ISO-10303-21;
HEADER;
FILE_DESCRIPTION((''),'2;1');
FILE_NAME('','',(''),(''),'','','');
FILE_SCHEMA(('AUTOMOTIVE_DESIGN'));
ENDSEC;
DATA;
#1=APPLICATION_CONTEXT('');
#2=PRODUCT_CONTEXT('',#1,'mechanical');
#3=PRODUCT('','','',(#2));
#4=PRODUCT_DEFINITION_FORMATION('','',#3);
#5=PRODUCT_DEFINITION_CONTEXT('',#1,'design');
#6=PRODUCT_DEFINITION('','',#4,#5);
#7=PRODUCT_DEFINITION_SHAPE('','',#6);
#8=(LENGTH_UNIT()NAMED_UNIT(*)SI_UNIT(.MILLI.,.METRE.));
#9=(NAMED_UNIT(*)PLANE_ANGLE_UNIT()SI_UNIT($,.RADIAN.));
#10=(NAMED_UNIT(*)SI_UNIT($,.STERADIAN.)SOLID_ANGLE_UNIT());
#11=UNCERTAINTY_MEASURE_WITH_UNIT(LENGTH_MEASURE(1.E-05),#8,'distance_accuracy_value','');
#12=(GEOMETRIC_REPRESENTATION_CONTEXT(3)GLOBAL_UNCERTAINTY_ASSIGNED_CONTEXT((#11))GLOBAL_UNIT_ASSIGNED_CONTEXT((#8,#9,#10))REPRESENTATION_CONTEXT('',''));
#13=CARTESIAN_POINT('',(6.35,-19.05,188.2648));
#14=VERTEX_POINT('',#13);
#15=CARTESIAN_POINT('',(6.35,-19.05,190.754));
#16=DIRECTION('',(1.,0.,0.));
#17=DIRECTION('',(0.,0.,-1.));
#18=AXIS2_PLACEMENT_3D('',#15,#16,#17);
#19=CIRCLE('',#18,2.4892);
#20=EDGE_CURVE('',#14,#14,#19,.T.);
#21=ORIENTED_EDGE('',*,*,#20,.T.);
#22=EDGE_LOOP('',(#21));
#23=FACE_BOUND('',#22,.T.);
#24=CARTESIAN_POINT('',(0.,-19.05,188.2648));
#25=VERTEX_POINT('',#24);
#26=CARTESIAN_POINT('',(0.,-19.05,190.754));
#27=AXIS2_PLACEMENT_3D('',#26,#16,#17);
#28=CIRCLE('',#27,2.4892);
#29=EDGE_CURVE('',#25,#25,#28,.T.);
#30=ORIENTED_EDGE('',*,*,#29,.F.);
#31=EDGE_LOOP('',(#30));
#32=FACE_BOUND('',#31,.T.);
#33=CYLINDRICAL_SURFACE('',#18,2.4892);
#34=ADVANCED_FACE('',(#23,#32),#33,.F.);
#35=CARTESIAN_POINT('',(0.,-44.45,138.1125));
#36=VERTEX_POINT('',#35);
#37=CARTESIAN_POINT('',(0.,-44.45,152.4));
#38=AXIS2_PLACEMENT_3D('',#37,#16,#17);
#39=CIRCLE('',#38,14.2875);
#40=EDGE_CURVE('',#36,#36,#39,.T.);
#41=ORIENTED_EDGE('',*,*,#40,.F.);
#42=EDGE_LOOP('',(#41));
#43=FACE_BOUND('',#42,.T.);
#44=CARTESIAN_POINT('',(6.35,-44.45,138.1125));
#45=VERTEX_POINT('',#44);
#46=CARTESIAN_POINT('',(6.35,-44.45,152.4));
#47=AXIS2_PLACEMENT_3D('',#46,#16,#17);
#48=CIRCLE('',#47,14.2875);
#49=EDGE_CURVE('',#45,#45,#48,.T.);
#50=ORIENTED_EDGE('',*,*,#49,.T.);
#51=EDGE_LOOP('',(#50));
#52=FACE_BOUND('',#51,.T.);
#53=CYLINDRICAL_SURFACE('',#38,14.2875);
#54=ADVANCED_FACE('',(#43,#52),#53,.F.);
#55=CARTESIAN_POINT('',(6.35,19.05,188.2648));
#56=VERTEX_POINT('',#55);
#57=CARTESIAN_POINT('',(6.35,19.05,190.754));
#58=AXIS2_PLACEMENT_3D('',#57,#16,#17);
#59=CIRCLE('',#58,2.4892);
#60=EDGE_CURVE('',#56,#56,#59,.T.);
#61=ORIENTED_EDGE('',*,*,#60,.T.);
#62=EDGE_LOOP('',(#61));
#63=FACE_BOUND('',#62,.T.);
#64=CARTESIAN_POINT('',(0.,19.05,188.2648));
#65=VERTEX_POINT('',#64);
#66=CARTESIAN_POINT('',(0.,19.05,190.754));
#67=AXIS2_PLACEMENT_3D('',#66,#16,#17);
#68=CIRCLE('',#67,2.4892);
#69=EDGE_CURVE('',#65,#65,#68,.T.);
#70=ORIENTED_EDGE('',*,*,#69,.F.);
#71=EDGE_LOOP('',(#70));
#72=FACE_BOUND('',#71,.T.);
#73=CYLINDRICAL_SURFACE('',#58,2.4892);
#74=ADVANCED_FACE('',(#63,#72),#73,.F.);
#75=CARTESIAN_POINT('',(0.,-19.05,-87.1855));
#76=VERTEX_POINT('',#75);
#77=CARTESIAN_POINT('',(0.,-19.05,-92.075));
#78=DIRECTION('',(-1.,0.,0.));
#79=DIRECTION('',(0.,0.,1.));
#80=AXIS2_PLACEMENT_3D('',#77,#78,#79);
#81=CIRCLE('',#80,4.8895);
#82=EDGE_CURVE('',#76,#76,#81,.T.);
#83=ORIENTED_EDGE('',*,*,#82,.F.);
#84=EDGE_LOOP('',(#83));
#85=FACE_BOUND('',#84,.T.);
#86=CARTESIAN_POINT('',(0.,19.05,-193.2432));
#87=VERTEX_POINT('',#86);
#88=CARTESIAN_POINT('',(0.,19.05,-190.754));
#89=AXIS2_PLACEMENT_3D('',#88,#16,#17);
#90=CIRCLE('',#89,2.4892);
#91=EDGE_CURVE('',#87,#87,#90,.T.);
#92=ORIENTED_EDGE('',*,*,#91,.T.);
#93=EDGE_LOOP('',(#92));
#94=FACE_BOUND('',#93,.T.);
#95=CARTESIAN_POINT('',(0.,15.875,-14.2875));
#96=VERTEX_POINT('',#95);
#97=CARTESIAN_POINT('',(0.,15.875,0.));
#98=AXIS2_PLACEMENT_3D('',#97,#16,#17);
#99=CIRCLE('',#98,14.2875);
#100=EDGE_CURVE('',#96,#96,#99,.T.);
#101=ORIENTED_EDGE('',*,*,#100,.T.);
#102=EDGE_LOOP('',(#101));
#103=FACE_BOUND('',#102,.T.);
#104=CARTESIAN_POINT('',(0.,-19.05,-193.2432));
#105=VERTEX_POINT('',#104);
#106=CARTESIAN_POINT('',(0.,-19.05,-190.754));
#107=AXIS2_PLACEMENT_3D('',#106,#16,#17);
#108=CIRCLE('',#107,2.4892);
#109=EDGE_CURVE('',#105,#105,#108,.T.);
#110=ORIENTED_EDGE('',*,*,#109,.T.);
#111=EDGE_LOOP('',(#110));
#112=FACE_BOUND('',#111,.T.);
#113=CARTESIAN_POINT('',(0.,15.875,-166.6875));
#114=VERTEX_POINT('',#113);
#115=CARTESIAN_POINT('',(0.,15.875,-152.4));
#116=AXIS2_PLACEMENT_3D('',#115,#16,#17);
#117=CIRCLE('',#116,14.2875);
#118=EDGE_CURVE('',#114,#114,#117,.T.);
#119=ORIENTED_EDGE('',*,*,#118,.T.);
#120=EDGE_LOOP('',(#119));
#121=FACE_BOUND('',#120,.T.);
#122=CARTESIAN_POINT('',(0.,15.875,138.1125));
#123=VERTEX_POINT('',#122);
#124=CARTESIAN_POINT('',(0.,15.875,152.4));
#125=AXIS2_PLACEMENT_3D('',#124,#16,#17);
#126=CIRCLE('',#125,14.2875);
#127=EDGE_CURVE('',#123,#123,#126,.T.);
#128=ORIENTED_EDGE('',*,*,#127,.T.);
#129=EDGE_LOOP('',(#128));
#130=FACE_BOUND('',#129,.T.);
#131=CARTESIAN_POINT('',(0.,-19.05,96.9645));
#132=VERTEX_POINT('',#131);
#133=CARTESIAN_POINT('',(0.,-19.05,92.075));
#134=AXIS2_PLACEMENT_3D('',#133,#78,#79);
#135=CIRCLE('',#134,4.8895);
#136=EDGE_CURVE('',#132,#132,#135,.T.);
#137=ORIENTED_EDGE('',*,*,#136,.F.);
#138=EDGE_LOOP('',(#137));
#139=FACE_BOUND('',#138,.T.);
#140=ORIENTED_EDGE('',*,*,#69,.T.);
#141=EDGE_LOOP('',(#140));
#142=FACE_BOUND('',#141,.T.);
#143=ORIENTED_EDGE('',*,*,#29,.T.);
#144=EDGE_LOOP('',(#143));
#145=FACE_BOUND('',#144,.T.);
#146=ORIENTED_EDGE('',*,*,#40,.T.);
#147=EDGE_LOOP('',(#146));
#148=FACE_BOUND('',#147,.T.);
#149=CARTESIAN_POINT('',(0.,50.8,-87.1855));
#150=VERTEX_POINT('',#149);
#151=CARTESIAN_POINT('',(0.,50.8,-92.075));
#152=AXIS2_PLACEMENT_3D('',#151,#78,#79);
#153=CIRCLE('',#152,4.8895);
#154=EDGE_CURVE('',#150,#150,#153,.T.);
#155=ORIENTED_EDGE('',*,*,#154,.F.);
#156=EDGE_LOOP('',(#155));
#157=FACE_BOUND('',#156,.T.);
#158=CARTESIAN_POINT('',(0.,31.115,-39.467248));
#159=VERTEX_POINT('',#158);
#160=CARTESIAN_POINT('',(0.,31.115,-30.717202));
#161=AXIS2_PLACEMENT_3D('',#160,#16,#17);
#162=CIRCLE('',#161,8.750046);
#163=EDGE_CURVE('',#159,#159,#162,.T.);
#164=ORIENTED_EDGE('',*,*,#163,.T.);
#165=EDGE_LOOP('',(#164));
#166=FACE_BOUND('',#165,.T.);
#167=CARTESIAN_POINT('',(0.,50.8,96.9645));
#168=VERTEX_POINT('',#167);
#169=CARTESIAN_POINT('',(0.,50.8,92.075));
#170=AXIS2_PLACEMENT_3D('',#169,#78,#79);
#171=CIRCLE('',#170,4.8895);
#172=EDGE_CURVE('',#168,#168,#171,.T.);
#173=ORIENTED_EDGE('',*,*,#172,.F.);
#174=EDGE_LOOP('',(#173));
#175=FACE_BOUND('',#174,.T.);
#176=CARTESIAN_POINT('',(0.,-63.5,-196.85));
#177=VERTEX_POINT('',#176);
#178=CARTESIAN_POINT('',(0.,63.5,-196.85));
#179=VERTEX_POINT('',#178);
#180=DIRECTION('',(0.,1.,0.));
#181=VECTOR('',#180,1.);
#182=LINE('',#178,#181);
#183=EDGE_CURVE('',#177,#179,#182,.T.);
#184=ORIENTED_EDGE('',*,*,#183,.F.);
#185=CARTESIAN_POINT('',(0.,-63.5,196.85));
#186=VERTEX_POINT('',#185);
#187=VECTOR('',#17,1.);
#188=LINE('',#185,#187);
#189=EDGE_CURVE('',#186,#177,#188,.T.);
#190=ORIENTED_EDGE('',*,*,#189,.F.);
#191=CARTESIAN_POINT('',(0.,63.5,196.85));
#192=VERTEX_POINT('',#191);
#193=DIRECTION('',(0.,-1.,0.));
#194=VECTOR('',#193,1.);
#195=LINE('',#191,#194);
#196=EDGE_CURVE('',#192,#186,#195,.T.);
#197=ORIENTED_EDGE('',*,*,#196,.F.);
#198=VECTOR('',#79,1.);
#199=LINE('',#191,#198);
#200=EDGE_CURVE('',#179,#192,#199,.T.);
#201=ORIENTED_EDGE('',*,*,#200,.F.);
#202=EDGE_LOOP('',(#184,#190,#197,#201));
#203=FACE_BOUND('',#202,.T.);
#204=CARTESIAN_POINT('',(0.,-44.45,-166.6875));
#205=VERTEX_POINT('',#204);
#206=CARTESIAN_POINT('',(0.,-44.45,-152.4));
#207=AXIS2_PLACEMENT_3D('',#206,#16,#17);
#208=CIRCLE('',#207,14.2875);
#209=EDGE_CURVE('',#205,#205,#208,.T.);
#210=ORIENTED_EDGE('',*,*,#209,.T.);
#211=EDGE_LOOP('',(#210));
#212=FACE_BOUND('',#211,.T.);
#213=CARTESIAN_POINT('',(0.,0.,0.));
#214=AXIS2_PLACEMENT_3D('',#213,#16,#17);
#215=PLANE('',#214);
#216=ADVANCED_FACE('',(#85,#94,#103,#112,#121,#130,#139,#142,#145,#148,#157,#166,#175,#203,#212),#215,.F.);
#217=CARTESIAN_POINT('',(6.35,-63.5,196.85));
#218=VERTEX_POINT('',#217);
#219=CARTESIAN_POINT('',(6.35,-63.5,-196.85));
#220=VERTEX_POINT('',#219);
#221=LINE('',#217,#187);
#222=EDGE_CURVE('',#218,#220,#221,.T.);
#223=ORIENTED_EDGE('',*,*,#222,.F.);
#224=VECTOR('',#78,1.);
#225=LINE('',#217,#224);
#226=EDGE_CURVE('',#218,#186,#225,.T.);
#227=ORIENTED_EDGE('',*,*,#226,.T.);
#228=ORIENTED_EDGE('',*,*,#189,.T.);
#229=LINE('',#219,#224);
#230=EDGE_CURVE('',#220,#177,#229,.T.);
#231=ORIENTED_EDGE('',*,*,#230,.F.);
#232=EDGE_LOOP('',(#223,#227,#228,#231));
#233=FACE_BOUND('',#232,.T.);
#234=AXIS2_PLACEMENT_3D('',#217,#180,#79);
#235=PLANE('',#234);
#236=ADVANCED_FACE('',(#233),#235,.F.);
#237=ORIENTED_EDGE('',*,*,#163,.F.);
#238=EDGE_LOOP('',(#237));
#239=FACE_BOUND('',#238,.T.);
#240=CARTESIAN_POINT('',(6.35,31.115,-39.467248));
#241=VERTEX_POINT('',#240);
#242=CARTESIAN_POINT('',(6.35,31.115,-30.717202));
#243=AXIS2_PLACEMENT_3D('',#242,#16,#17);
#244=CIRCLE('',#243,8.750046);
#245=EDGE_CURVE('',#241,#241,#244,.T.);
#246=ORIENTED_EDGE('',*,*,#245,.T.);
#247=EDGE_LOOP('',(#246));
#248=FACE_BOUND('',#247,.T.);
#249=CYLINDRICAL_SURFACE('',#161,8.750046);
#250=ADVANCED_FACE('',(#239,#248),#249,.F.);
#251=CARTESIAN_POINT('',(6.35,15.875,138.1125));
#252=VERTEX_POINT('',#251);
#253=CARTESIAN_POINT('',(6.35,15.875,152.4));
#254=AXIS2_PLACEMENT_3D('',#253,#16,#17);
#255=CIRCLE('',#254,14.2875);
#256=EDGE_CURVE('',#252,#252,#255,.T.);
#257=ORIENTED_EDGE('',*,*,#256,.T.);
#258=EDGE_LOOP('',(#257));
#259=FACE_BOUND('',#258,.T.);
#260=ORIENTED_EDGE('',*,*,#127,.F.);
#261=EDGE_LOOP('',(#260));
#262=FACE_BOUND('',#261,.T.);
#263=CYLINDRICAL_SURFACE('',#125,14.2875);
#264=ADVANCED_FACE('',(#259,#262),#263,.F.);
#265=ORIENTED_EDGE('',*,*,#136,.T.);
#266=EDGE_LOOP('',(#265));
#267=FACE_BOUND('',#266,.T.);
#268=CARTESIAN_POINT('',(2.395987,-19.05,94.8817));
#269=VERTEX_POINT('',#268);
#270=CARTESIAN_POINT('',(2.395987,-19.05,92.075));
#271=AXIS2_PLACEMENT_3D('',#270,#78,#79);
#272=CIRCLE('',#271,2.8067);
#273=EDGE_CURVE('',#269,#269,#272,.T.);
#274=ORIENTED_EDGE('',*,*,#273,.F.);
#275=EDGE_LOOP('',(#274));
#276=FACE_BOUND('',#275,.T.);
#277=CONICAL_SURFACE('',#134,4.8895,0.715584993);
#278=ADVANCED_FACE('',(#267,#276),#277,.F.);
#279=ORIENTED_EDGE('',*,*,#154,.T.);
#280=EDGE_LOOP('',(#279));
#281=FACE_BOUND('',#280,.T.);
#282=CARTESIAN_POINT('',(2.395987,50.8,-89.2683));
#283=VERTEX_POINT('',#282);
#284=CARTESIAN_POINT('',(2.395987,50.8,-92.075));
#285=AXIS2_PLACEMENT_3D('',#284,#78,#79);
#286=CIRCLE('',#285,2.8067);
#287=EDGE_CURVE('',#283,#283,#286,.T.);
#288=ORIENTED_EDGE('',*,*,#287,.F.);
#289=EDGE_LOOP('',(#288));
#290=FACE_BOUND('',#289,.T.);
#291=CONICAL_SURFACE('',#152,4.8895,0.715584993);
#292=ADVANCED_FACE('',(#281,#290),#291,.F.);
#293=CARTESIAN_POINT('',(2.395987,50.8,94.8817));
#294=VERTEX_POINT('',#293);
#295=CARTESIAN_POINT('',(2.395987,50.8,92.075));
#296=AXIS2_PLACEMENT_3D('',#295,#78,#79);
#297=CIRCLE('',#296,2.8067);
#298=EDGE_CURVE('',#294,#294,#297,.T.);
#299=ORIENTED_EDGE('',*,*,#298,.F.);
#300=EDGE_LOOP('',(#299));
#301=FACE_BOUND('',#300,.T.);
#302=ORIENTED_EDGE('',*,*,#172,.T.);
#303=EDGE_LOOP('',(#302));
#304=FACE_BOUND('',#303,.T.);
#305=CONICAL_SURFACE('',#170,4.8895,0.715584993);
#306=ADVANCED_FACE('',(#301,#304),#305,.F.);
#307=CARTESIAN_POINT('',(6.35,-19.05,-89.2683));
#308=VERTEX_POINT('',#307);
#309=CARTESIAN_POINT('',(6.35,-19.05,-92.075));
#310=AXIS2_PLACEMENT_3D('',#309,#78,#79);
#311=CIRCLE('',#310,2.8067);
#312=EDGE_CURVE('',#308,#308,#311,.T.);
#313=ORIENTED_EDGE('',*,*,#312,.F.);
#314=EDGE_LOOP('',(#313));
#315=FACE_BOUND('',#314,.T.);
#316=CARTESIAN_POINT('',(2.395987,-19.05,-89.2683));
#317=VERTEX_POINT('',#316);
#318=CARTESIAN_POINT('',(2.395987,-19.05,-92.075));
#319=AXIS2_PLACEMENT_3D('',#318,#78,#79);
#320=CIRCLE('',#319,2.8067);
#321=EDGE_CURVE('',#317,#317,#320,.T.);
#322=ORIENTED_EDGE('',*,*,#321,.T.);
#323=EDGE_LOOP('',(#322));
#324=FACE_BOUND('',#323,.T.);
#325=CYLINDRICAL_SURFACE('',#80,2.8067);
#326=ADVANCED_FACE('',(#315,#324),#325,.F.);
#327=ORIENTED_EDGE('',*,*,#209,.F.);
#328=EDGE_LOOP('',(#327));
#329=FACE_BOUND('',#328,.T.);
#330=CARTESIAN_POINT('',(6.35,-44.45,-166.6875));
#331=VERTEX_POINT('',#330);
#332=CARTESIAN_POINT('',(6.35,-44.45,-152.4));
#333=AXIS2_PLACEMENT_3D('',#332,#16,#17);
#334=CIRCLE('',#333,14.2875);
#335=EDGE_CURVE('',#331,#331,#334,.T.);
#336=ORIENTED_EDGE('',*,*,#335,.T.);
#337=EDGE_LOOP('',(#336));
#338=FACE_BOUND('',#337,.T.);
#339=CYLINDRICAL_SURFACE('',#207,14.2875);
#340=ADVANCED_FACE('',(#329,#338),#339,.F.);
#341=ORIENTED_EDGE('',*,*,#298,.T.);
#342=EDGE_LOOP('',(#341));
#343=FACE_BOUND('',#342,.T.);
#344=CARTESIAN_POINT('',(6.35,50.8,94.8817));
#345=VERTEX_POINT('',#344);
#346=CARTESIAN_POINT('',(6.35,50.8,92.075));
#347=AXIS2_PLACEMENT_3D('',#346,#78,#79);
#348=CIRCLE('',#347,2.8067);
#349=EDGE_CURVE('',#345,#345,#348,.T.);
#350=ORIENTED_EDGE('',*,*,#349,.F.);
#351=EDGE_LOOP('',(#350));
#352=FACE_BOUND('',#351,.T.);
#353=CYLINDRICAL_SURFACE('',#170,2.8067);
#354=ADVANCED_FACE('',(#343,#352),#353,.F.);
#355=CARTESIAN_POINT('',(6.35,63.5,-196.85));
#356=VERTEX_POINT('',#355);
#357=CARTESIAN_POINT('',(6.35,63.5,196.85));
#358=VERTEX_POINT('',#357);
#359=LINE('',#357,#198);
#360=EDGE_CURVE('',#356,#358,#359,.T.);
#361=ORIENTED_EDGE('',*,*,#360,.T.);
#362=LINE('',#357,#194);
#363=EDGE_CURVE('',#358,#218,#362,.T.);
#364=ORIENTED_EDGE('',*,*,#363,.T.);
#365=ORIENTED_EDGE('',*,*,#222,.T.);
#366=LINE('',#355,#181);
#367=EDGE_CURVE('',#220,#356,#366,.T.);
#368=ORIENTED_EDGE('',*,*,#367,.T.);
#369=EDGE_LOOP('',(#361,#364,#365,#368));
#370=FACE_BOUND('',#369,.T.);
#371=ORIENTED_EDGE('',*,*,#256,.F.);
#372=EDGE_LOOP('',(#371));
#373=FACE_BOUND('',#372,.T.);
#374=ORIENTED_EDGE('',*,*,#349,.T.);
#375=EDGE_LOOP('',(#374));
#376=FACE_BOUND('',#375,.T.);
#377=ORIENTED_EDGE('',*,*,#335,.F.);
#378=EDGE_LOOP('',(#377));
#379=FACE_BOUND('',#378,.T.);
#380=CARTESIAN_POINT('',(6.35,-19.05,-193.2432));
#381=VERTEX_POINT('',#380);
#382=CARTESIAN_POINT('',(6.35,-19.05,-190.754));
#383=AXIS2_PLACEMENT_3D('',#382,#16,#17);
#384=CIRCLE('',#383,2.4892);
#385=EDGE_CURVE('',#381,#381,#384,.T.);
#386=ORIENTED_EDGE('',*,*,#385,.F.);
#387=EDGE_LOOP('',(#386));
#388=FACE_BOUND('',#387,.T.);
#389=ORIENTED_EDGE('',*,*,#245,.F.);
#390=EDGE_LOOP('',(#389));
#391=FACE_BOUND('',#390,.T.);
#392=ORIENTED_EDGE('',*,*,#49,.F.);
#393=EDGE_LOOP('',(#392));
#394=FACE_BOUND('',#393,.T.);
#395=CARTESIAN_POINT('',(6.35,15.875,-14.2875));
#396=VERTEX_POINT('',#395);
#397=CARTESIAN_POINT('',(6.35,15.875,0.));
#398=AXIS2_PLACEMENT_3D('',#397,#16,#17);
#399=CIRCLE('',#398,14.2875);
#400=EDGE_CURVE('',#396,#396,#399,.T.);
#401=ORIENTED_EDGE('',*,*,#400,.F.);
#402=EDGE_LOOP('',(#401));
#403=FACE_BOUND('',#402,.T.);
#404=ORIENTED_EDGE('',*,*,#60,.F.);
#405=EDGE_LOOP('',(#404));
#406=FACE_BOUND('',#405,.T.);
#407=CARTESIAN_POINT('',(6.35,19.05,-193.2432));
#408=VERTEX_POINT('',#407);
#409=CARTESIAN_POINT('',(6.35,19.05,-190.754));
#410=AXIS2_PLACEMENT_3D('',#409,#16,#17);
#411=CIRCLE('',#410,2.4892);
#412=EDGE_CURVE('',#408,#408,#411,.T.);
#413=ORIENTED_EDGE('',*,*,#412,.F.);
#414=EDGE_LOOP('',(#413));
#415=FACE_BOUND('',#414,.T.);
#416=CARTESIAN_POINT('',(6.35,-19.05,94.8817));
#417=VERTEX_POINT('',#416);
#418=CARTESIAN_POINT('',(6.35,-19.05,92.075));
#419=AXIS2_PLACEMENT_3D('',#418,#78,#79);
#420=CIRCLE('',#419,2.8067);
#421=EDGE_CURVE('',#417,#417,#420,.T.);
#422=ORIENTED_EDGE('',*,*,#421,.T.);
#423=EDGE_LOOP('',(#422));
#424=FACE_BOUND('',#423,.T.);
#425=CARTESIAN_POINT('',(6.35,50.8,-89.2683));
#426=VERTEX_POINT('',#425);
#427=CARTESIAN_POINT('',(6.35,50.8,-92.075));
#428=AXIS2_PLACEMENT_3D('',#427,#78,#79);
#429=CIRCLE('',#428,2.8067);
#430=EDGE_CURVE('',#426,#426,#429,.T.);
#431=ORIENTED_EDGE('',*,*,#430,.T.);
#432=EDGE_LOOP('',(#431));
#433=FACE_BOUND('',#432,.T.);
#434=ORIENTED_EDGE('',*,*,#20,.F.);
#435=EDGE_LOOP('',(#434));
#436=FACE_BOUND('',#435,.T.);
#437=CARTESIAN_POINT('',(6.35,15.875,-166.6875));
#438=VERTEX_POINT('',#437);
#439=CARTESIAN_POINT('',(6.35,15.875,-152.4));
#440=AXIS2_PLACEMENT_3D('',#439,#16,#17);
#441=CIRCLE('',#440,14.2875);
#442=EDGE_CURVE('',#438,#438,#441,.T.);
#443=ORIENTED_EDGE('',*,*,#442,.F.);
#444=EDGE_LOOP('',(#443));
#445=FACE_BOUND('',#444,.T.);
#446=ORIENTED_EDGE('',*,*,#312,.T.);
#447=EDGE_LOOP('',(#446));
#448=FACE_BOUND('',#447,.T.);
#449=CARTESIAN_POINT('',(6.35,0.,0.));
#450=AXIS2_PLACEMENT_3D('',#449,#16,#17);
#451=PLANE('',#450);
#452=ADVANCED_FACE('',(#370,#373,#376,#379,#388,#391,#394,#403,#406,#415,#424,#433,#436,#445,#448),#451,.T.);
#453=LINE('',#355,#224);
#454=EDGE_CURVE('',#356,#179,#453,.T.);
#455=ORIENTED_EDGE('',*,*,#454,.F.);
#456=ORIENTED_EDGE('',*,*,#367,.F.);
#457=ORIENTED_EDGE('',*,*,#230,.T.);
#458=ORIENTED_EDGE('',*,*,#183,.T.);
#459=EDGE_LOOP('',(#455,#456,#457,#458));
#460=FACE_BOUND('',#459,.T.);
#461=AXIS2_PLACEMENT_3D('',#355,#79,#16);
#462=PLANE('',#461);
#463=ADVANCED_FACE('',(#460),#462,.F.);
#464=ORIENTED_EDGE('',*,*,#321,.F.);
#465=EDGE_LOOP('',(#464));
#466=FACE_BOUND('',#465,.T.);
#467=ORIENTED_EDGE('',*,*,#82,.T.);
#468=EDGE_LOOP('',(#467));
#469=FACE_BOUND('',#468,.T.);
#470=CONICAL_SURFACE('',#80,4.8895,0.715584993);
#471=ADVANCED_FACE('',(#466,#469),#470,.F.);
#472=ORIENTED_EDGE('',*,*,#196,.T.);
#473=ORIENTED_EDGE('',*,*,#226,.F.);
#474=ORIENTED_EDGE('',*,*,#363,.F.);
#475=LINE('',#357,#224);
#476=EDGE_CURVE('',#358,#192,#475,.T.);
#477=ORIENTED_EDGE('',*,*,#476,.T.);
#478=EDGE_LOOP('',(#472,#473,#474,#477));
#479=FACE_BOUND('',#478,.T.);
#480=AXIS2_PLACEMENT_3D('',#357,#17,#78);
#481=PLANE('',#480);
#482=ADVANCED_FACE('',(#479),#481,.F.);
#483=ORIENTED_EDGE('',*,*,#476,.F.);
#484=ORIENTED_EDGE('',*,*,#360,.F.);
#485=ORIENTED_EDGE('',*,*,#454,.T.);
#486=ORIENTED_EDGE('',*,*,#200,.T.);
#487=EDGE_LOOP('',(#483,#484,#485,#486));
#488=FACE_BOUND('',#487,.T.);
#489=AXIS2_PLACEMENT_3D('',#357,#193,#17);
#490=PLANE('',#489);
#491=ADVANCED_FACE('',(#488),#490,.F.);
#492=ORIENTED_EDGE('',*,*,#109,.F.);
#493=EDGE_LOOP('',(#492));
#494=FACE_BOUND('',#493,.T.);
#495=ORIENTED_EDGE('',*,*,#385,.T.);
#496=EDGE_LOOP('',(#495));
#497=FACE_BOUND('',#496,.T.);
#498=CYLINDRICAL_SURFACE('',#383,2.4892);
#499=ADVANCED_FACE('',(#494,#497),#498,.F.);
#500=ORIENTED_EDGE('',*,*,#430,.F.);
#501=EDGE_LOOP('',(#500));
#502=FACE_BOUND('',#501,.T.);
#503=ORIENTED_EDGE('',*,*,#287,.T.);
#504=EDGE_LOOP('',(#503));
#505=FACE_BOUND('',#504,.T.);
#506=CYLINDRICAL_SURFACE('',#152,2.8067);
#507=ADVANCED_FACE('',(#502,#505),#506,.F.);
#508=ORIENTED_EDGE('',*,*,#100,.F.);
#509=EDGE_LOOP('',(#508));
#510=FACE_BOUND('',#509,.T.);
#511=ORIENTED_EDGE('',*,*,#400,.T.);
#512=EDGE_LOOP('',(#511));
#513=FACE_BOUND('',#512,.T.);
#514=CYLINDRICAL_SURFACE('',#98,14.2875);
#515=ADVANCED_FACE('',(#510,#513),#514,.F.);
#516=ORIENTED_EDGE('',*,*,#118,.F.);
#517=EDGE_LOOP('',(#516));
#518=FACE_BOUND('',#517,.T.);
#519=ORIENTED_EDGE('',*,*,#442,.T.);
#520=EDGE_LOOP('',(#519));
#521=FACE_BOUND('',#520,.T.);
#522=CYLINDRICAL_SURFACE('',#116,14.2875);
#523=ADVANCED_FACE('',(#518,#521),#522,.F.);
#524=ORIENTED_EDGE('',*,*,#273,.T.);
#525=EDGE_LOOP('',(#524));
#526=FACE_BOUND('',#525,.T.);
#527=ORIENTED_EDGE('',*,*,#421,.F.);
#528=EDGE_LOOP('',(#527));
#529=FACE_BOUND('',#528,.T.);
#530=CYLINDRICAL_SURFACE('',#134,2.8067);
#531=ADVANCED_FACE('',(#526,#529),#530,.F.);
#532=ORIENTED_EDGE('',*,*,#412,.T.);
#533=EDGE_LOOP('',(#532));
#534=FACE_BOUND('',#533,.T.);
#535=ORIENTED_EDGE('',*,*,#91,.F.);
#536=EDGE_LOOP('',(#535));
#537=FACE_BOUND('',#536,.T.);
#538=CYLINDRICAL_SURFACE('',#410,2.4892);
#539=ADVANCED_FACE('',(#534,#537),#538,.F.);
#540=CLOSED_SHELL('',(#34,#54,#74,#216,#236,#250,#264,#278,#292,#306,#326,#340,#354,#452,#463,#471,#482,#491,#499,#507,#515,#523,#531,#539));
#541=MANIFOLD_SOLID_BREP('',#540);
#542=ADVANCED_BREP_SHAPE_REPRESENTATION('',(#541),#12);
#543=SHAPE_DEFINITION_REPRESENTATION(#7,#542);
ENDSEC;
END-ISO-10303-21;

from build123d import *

# Parameters (mm, degrees)
SKETCH1_W                                       = 393.7
SKETCH1_H                                       = 127
BOSS_EXTRUDE1_DEPTH                             = 6.35
SKETCH2_R                                       = 14.2875
SKETCH2_R_2                                     = 8.750046
CUT_EXTRUDE1_DEPTH                              = 207.935968357
F_10_CLEARANCE_HOLE1_D                          = 4.9784
CSK_FOR_10_FLAT_HEAD_MACHINE_SCREW2_D           = 5.6134
CSK_FOR_10_FLAT_HEAD_MACHINE_SCREW2_CSINK_D     = 9.779
CSK_FOR_10_FLAT_HEAD_MACHINE_SCREW2_CSINK_ANGLE = 82


with BuildPart() as part:
    # Sketch1 → Boss-Extrude1 (new body)
    with BuildSketch(Plane(origin=(0, 0, 0), x_dir=(0, 0, -1), z_dir=(1, 0, 0))):
        Rectangle(SKETCH1_W, SKETCH1_H)
    extrude(amount=BOSS_EXTRUDE1_DEPTH)

    # Sketch2 → Cut-Extrude1 (cut, through all)
    with BuildSketch(Plane(origin=(6.35, 0, 0), x_dir=(0, 0, -1), z_dir=(1, 0, 0))):
        with Locations((0, 15.875)):
            Circle(SKETCH2_R)
        with Locations((-152.4, 15.875)):
            Circle(SKETCH2_R)
        with Locations((152.4, 15.875)):
            Circle(SKETCH2_R)
        with Locations((-152.4, -44.45)):
            Circle(SKETCH2_R)
        with Locations((152.4, -44.45)):
            Circle(SKETCH2_R)
        with Locations((30.717202021, 31.115)):
            Circle(SKETCH2_R_2)
    extrude(amount=-CUT_EXTRUDE1_DEPTH, mode=Mode.SUBTRACT)

    # #10 Clearance Hole1 (through all)
    with Locations(Plane(origin=(6.35, 0, 0), x_dir=(0, 0, -1), z_dir=(1, 0, 0))):
        with Locations((-190.754, 19.05), (-190.754, -19.05), (190.754, 19.05), (190.754, -19.05)):
            Hole(F_10_CLEARANCE_HOLE1_D / 2)

    # CSK for #10 Flat Head Machine Screw2 (through all)
    with Locations(Plane.ZY):
        with Locations((-92.075, 50.8), (-92.075, -19.05), (92.075, -19.05), (92.075, 50.8)):
            CounterSinkHole(CSK_FOR_10_FLAT_HEAD_MACHINE_SCREW2_D / 2, CSK_FOR_10_FLAT_HEAD_MACHINE_SCREW2_CSINK_D / 2, counter_sink_angle=CSK_FOR_10_FLAT_HEAD_MACHINE_SCREW2_CSINK_ANGLE)


solid = part.part
